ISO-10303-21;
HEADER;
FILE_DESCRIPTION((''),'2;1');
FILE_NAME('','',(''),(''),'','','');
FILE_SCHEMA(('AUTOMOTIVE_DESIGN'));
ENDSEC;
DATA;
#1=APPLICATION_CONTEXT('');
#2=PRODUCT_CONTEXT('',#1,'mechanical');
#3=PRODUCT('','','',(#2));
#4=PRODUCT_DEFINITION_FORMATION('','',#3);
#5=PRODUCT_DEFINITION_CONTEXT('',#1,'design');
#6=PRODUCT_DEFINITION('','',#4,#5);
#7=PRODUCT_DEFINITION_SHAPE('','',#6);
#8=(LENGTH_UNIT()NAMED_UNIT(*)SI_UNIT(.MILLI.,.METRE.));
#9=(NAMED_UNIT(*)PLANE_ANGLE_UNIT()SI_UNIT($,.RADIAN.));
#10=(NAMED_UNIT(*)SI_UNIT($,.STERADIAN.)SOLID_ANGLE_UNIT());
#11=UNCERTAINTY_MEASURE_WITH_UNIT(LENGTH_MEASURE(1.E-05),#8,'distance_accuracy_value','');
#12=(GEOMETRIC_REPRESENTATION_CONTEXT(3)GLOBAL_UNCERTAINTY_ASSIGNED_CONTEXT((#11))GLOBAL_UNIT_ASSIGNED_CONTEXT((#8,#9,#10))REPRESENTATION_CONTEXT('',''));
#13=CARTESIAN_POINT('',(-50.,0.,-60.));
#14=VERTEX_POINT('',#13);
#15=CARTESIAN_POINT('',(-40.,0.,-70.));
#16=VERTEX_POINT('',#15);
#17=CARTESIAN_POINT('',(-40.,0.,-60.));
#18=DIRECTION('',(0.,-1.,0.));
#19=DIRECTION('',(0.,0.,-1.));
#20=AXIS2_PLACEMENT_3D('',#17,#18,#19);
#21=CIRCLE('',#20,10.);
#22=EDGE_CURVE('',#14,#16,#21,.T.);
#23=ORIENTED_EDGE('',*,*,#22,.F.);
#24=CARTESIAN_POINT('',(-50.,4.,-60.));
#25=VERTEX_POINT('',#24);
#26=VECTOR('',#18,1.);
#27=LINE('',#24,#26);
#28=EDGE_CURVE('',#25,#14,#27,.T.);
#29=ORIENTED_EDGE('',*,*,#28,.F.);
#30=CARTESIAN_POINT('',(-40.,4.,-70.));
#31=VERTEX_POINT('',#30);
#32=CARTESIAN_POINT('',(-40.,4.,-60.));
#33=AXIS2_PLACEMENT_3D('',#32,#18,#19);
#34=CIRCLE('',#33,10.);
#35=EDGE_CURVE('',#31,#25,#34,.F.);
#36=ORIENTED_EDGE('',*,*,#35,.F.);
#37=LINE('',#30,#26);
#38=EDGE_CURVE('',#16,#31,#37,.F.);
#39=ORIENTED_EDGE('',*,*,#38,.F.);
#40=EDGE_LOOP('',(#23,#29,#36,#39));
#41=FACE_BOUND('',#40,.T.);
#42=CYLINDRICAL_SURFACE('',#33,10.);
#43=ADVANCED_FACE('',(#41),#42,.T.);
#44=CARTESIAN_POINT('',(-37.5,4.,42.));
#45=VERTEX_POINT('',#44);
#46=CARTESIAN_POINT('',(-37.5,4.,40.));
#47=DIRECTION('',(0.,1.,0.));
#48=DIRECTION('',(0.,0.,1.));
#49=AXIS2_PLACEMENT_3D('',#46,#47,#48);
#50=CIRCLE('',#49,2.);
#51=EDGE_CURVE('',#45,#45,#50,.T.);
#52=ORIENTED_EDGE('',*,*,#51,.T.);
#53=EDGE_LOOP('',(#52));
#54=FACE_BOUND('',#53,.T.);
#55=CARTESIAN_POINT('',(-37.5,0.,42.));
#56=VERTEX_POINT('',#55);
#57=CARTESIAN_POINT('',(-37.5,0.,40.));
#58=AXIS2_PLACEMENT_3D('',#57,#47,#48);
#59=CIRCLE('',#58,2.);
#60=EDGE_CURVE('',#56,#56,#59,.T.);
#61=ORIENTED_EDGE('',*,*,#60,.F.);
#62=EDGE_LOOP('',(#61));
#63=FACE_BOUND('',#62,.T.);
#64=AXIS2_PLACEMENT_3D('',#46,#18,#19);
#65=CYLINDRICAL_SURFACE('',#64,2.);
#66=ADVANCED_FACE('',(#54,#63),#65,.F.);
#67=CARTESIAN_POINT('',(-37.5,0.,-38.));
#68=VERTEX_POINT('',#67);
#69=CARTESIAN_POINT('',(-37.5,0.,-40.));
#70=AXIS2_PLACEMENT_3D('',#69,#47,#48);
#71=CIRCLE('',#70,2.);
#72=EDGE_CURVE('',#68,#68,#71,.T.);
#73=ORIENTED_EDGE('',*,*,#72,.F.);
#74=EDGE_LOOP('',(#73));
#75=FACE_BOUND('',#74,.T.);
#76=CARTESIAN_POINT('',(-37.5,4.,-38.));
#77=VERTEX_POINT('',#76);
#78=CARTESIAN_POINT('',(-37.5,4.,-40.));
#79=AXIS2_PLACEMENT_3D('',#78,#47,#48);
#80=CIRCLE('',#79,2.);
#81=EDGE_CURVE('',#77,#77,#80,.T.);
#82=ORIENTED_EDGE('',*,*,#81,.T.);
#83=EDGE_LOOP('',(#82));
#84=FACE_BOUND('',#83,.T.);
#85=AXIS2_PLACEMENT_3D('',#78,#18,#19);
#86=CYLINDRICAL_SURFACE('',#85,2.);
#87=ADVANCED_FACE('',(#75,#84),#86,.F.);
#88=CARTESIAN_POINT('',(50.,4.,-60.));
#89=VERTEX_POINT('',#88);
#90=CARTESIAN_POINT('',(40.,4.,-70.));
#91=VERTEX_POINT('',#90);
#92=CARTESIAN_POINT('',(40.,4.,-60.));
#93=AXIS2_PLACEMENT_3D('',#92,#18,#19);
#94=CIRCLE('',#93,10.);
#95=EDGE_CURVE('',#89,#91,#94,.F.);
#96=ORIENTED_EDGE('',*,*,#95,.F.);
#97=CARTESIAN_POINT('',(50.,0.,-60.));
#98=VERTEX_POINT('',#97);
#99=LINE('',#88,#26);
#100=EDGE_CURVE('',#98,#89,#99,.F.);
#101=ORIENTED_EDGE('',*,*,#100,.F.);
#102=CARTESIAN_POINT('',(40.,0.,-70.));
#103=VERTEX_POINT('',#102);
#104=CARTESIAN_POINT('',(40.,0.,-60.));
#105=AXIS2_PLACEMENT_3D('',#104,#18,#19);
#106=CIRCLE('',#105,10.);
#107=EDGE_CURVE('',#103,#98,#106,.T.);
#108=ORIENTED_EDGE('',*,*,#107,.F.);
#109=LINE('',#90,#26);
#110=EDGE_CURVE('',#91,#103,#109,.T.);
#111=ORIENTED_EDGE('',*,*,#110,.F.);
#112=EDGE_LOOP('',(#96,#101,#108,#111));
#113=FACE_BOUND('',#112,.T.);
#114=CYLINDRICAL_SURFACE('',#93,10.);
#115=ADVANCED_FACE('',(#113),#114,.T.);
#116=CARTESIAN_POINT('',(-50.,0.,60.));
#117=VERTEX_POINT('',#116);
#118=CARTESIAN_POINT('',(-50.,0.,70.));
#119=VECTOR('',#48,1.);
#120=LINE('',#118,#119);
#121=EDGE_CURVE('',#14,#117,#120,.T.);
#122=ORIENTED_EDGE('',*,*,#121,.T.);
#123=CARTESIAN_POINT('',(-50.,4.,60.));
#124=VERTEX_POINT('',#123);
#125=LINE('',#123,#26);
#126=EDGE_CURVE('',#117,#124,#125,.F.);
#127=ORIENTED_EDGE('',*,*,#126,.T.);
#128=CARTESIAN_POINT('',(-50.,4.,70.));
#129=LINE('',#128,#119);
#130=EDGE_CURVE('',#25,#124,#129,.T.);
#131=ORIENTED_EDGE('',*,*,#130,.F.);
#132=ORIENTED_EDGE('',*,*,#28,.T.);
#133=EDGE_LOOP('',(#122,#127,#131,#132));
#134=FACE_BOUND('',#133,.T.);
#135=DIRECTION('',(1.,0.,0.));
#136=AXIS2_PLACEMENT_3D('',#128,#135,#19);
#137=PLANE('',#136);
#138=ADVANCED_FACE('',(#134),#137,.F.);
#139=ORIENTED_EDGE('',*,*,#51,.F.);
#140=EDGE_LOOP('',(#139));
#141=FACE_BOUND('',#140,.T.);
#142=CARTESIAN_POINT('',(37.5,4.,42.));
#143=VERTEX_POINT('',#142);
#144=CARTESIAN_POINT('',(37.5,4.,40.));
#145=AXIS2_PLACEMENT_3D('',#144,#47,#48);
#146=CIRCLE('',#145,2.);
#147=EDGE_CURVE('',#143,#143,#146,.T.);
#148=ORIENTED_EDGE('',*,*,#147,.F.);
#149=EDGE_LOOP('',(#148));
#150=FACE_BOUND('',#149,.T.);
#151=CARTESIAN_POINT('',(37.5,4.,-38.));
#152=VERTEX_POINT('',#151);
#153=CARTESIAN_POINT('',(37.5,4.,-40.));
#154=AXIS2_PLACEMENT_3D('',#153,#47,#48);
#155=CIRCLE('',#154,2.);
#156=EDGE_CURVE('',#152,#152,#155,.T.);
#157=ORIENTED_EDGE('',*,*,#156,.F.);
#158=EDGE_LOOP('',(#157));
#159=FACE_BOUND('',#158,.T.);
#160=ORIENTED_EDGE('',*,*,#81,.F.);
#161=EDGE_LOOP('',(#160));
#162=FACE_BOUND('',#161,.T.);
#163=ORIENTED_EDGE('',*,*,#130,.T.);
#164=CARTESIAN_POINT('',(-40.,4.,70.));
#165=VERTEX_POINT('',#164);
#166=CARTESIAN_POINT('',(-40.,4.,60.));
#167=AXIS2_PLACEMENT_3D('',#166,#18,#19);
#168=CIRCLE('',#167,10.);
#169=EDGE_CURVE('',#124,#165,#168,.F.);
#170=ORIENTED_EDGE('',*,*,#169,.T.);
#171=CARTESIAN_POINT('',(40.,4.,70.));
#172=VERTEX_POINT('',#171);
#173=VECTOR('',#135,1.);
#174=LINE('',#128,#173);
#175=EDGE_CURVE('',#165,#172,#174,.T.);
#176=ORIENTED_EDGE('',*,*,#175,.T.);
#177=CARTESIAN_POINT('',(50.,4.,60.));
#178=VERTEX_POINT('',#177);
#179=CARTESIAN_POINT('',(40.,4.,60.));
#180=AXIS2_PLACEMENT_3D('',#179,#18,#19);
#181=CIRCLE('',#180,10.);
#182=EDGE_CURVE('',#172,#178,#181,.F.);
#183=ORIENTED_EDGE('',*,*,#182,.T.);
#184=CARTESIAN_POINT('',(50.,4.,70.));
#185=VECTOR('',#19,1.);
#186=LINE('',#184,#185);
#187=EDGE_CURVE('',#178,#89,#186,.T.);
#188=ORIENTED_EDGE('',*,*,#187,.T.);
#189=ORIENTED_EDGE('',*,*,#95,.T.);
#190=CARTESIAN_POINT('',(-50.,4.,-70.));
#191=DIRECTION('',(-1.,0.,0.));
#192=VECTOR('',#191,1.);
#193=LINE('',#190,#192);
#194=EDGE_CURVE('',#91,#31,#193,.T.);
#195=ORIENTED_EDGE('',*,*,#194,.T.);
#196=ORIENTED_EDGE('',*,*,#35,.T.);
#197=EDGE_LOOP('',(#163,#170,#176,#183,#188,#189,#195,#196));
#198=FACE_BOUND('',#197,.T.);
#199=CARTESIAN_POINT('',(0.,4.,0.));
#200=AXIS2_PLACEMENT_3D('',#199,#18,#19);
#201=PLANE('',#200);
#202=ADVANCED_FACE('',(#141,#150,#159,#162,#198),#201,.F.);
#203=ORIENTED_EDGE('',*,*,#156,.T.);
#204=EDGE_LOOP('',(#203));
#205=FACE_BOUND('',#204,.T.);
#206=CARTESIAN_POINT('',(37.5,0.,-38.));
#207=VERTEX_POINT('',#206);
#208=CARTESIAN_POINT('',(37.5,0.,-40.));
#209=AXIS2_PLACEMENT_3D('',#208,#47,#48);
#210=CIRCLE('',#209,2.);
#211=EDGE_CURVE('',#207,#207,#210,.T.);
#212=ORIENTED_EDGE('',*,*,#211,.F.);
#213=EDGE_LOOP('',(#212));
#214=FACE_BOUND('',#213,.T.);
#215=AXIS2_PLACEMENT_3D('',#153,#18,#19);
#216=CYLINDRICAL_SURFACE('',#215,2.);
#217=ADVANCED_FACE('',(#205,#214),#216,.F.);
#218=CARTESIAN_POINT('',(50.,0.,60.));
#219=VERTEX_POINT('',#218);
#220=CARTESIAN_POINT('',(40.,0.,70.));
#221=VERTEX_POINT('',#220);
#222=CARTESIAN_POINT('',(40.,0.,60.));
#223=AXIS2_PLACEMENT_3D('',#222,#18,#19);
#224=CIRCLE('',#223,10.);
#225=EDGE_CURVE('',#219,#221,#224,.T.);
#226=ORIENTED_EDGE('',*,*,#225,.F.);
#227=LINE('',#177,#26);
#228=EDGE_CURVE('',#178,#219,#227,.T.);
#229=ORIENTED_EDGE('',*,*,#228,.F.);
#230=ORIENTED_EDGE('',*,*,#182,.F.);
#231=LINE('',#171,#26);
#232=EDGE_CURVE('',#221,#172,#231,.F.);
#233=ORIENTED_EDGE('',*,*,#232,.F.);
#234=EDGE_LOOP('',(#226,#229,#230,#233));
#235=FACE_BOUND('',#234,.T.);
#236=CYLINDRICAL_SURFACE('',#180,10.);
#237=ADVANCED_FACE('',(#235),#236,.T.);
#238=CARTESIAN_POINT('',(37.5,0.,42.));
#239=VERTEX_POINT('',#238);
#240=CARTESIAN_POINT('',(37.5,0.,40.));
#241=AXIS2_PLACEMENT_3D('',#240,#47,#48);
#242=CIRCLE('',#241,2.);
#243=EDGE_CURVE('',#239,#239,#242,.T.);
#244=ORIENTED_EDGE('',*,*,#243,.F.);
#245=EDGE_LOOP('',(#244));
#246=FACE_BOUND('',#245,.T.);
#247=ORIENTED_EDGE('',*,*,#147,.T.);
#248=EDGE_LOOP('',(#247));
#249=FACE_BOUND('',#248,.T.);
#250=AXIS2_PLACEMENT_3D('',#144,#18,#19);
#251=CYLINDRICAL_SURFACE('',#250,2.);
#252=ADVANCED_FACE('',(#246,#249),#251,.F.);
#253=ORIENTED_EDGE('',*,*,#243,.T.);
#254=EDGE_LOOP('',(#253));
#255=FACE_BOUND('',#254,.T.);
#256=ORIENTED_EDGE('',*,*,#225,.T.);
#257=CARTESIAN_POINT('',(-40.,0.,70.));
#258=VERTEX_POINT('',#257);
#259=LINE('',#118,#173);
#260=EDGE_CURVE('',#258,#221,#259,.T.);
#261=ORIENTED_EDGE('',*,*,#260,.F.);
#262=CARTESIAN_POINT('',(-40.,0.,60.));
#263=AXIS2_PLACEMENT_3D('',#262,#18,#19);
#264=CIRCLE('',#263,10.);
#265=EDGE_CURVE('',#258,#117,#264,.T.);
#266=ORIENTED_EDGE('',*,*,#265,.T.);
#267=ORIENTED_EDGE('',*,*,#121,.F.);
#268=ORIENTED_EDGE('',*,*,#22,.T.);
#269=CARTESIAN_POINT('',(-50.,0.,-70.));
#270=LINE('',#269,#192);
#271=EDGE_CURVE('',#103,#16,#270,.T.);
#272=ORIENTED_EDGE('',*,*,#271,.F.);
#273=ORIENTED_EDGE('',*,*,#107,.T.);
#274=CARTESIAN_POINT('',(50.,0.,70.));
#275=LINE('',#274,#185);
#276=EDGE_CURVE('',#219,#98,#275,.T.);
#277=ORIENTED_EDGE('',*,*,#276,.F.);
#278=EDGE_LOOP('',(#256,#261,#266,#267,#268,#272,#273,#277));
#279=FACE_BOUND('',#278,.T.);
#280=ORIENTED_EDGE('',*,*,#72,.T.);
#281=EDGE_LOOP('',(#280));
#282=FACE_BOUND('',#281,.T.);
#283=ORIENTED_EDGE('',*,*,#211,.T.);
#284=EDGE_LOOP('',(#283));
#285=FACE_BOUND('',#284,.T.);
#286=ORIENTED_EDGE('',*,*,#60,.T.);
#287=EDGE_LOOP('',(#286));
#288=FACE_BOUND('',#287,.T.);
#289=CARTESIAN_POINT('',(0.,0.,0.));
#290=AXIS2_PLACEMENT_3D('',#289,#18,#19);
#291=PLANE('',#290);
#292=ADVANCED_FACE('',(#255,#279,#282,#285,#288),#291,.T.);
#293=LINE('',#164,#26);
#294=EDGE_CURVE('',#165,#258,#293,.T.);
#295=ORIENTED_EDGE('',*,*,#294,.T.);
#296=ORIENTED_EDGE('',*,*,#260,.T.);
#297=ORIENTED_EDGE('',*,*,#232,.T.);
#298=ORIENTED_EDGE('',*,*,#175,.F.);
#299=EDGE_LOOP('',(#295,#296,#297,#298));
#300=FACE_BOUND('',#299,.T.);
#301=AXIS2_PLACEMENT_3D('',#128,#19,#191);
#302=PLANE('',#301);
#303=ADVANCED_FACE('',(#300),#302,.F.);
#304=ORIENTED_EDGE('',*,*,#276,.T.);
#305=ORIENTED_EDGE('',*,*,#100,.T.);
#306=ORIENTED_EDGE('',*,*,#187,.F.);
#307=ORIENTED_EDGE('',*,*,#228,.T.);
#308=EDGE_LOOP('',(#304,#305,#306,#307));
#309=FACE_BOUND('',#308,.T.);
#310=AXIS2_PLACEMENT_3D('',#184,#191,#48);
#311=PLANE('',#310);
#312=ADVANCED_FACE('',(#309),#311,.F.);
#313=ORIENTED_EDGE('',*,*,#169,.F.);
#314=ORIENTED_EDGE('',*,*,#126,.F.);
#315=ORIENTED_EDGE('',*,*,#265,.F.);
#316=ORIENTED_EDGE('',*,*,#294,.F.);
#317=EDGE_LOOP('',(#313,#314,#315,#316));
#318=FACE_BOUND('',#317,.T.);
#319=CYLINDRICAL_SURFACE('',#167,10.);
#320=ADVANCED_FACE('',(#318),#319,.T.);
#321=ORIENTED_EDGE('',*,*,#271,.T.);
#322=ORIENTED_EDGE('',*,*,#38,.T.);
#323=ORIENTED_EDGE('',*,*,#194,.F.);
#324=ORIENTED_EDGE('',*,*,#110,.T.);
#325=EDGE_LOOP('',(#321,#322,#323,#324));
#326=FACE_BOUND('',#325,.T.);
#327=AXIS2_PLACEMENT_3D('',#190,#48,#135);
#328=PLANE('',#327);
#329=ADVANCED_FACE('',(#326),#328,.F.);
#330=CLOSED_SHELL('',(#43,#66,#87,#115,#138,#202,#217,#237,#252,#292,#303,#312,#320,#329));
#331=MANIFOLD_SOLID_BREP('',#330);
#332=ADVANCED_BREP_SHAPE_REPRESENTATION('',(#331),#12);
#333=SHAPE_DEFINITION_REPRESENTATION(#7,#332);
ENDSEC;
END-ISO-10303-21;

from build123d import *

# Parameters (mm, degrees)
SKETCH_1_W      = 100
SKETCH_1_H      = 140
SKETCH_1_R      = 2
EXTRUDE_1_DEPTH = 4
FILLET_1_R      = 10


with BuildPart() as part:
    # 草图1 → 凸台-拉伸1 (new body)
    with BuildSketch(Plane(origin=(0, 0, 0), x_dir=(1, 0, 0), z_dir=(0, 1, 0))):
        Rectangle(SKETCH_1_W, SKETCH_1_H)
        with Locations(Location((-37.5, 40, 0), (0, 0, 270))):
            Circle(SKETCH_1_R, mode=Mode.SUBTRACT)
        with Locations(Location((37.5, 40, 0), (0, 0, 270))):
            Circle(SKETCH_1_R, mode=Mode.SUBTRACT)
        with Locations(Location((37.5, -40, 0), (0, 0, 270))):
            Circle(SKETCH_1_R, mode=Mode.SUBTRACT)
        with Locations(Location((-37.5, -40, 0), (0, 0, 270))):
            Circle(SKETCH_1_R, mode=Mode.SUBTRACT)
    extrude(amount=EXTRUDE_1_DEPTH)

    # 圆角1
    fillet_1_edges = [part.edges().sort_by_distance(p)[0] for p in [
        (50, 2, 70),
        (-50, 2, 70),
        (-50, 2, -70),
        (50, 2, -70),
    ]]
    fillet(fillet_1_edges, radius=FILLET_1_R)


solid = part.part
